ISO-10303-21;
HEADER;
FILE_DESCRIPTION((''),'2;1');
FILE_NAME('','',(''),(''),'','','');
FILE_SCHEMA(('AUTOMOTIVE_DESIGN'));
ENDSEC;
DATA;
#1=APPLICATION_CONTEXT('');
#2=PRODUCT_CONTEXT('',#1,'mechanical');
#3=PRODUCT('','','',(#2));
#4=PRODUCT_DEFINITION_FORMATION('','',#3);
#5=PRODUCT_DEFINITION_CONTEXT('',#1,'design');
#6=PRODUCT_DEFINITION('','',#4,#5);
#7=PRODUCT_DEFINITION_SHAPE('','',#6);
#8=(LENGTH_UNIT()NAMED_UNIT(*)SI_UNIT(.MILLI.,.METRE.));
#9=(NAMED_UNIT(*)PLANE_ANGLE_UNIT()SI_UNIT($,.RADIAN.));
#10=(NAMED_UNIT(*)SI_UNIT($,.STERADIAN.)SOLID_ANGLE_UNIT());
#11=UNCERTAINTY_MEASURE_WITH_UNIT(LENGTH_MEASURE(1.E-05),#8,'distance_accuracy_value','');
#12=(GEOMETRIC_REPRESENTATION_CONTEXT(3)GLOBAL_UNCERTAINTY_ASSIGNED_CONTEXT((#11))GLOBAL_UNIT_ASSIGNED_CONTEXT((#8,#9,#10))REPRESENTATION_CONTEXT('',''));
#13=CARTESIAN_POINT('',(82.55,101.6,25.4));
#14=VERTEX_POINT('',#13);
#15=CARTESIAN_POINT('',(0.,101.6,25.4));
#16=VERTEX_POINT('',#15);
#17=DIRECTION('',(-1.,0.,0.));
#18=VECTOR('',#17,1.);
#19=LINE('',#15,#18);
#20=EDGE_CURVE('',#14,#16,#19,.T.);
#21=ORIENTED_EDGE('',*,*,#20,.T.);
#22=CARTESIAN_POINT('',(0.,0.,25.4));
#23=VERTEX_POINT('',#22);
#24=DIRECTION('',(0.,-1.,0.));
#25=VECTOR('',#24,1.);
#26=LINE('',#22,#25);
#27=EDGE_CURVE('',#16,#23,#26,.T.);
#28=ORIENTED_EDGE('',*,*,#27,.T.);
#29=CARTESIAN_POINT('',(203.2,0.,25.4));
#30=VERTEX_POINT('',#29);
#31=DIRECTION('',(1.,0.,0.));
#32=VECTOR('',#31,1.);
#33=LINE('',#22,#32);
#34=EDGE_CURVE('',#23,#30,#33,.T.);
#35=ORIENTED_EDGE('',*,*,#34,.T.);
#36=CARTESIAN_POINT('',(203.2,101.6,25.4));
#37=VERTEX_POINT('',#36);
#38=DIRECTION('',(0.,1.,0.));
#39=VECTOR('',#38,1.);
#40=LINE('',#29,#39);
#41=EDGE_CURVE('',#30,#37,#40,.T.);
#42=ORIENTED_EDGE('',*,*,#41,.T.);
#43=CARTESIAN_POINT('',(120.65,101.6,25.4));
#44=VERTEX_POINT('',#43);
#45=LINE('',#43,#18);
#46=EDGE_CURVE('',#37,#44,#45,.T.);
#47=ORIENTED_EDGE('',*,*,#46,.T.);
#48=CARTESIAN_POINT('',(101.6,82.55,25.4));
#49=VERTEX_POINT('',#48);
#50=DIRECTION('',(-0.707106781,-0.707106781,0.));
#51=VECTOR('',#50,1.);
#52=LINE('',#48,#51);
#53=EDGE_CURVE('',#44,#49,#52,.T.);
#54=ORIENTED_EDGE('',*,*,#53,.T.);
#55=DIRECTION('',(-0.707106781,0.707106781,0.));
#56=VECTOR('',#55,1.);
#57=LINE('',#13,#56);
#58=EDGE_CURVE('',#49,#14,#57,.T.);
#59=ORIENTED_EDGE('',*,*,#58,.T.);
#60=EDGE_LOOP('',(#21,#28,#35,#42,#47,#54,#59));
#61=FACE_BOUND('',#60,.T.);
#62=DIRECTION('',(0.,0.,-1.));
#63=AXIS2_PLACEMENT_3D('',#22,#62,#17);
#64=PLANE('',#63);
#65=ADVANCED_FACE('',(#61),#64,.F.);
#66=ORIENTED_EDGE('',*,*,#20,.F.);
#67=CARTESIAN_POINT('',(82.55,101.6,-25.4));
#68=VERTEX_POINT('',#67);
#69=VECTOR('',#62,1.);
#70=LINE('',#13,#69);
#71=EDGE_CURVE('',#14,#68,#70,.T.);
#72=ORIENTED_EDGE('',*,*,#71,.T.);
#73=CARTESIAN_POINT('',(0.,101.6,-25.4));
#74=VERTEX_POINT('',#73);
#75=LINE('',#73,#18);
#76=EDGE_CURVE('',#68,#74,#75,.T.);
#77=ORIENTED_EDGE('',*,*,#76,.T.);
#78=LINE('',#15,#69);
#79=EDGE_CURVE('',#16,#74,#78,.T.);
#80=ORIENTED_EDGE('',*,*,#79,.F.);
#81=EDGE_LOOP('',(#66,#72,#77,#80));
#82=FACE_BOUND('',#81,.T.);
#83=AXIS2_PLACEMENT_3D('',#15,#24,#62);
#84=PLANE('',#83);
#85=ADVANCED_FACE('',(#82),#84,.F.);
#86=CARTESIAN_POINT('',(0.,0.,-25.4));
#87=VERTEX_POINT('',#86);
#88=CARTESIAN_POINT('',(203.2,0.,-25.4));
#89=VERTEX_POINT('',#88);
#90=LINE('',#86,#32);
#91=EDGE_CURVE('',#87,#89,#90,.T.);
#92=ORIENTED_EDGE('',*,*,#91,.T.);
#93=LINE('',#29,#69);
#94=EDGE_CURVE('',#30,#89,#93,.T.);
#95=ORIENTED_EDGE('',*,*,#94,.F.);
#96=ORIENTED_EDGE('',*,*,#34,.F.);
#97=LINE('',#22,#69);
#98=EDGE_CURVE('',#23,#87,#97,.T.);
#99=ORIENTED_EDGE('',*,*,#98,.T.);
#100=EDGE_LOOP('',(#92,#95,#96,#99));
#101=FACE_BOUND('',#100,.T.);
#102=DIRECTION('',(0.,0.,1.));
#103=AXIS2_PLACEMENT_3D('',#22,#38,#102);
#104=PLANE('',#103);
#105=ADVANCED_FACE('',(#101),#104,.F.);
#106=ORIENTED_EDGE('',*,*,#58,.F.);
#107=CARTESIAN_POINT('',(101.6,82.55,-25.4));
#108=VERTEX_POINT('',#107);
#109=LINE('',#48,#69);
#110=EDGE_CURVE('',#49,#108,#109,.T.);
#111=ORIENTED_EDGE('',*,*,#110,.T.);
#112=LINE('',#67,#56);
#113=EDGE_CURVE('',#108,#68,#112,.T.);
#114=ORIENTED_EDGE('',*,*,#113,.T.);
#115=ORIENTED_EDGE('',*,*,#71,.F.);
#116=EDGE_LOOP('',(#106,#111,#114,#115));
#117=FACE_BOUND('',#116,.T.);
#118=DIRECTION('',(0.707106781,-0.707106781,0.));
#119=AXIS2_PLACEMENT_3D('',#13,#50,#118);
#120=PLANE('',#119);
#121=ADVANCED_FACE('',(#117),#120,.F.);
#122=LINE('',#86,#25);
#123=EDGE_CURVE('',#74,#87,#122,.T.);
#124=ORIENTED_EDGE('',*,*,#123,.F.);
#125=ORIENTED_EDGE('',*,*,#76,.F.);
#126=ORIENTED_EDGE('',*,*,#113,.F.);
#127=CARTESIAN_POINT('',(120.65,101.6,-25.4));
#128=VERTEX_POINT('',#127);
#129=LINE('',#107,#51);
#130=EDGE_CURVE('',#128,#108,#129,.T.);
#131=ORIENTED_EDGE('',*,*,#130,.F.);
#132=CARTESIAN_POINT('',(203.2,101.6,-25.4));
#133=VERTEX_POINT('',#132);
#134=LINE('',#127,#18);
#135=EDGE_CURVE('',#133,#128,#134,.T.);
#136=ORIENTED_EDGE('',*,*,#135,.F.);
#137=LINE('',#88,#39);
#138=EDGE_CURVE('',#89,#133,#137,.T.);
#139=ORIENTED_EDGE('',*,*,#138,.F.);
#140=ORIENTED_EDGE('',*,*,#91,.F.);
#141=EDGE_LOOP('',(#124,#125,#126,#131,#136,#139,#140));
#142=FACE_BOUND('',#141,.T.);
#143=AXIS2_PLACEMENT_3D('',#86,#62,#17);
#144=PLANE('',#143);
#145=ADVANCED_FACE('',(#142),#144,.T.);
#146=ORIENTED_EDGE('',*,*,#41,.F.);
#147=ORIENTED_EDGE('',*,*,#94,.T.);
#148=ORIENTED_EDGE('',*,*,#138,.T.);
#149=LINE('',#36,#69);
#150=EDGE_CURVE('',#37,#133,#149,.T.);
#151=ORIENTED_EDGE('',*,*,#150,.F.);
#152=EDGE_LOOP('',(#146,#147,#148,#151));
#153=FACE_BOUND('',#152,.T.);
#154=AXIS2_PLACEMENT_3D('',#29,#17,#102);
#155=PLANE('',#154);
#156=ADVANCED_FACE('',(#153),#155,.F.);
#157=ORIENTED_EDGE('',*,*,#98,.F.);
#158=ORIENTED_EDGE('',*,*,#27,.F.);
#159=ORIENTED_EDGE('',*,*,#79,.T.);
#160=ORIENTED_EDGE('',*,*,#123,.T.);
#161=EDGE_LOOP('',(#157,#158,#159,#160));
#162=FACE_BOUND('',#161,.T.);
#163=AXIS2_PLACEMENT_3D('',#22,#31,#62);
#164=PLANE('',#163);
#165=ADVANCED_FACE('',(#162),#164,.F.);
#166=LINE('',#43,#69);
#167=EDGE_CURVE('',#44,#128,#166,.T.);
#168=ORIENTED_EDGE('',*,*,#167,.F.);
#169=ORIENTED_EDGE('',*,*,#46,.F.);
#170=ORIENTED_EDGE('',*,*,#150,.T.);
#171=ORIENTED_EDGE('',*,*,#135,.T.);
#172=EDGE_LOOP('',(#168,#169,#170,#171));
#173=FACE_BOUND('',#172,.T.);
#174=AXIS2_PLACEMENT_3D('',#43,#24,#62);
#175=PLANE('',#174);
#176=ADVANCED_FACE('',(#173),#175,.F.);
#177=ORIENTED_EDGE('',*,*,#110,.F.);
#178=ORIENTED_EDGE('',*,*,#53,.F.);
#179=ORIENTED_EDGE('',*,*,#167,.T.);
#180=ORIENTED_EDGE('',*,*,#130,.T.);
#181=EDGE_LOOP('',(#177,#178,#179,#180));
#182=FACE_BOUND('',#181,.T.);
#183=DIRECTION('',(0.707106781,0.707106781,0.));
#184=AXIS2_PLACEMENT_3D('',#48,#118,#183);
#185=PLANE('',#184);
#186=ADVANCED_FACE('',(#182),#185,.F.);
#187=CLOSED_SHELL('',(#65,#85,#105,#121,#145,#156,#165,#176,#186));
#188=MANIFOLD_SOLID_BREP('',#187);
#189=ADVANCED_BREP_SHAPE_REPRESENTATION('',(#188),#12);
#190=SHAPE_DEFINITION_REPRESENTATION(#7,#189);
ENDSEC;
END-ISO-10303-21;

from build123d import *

# Parameters (mm, degrees)
BOSS_EXTRUDE2_DEPTH = 25.4


with BuildPart() as part:
    # Sketch3 → Boss-Extrude2 (new body, symmetric)
    with BuildSketch(Plane.XY):
        Polygon((82.55, 101.6), (101.6, 82.55), (120.65, 101.6), (203.2, 101.6), (203.2, 0), (0, 0), (0, 101.6), align=None)
    extrude(amount=BOSS_EXTRUDE2_DEPTH, both=True)


solid = part.part
